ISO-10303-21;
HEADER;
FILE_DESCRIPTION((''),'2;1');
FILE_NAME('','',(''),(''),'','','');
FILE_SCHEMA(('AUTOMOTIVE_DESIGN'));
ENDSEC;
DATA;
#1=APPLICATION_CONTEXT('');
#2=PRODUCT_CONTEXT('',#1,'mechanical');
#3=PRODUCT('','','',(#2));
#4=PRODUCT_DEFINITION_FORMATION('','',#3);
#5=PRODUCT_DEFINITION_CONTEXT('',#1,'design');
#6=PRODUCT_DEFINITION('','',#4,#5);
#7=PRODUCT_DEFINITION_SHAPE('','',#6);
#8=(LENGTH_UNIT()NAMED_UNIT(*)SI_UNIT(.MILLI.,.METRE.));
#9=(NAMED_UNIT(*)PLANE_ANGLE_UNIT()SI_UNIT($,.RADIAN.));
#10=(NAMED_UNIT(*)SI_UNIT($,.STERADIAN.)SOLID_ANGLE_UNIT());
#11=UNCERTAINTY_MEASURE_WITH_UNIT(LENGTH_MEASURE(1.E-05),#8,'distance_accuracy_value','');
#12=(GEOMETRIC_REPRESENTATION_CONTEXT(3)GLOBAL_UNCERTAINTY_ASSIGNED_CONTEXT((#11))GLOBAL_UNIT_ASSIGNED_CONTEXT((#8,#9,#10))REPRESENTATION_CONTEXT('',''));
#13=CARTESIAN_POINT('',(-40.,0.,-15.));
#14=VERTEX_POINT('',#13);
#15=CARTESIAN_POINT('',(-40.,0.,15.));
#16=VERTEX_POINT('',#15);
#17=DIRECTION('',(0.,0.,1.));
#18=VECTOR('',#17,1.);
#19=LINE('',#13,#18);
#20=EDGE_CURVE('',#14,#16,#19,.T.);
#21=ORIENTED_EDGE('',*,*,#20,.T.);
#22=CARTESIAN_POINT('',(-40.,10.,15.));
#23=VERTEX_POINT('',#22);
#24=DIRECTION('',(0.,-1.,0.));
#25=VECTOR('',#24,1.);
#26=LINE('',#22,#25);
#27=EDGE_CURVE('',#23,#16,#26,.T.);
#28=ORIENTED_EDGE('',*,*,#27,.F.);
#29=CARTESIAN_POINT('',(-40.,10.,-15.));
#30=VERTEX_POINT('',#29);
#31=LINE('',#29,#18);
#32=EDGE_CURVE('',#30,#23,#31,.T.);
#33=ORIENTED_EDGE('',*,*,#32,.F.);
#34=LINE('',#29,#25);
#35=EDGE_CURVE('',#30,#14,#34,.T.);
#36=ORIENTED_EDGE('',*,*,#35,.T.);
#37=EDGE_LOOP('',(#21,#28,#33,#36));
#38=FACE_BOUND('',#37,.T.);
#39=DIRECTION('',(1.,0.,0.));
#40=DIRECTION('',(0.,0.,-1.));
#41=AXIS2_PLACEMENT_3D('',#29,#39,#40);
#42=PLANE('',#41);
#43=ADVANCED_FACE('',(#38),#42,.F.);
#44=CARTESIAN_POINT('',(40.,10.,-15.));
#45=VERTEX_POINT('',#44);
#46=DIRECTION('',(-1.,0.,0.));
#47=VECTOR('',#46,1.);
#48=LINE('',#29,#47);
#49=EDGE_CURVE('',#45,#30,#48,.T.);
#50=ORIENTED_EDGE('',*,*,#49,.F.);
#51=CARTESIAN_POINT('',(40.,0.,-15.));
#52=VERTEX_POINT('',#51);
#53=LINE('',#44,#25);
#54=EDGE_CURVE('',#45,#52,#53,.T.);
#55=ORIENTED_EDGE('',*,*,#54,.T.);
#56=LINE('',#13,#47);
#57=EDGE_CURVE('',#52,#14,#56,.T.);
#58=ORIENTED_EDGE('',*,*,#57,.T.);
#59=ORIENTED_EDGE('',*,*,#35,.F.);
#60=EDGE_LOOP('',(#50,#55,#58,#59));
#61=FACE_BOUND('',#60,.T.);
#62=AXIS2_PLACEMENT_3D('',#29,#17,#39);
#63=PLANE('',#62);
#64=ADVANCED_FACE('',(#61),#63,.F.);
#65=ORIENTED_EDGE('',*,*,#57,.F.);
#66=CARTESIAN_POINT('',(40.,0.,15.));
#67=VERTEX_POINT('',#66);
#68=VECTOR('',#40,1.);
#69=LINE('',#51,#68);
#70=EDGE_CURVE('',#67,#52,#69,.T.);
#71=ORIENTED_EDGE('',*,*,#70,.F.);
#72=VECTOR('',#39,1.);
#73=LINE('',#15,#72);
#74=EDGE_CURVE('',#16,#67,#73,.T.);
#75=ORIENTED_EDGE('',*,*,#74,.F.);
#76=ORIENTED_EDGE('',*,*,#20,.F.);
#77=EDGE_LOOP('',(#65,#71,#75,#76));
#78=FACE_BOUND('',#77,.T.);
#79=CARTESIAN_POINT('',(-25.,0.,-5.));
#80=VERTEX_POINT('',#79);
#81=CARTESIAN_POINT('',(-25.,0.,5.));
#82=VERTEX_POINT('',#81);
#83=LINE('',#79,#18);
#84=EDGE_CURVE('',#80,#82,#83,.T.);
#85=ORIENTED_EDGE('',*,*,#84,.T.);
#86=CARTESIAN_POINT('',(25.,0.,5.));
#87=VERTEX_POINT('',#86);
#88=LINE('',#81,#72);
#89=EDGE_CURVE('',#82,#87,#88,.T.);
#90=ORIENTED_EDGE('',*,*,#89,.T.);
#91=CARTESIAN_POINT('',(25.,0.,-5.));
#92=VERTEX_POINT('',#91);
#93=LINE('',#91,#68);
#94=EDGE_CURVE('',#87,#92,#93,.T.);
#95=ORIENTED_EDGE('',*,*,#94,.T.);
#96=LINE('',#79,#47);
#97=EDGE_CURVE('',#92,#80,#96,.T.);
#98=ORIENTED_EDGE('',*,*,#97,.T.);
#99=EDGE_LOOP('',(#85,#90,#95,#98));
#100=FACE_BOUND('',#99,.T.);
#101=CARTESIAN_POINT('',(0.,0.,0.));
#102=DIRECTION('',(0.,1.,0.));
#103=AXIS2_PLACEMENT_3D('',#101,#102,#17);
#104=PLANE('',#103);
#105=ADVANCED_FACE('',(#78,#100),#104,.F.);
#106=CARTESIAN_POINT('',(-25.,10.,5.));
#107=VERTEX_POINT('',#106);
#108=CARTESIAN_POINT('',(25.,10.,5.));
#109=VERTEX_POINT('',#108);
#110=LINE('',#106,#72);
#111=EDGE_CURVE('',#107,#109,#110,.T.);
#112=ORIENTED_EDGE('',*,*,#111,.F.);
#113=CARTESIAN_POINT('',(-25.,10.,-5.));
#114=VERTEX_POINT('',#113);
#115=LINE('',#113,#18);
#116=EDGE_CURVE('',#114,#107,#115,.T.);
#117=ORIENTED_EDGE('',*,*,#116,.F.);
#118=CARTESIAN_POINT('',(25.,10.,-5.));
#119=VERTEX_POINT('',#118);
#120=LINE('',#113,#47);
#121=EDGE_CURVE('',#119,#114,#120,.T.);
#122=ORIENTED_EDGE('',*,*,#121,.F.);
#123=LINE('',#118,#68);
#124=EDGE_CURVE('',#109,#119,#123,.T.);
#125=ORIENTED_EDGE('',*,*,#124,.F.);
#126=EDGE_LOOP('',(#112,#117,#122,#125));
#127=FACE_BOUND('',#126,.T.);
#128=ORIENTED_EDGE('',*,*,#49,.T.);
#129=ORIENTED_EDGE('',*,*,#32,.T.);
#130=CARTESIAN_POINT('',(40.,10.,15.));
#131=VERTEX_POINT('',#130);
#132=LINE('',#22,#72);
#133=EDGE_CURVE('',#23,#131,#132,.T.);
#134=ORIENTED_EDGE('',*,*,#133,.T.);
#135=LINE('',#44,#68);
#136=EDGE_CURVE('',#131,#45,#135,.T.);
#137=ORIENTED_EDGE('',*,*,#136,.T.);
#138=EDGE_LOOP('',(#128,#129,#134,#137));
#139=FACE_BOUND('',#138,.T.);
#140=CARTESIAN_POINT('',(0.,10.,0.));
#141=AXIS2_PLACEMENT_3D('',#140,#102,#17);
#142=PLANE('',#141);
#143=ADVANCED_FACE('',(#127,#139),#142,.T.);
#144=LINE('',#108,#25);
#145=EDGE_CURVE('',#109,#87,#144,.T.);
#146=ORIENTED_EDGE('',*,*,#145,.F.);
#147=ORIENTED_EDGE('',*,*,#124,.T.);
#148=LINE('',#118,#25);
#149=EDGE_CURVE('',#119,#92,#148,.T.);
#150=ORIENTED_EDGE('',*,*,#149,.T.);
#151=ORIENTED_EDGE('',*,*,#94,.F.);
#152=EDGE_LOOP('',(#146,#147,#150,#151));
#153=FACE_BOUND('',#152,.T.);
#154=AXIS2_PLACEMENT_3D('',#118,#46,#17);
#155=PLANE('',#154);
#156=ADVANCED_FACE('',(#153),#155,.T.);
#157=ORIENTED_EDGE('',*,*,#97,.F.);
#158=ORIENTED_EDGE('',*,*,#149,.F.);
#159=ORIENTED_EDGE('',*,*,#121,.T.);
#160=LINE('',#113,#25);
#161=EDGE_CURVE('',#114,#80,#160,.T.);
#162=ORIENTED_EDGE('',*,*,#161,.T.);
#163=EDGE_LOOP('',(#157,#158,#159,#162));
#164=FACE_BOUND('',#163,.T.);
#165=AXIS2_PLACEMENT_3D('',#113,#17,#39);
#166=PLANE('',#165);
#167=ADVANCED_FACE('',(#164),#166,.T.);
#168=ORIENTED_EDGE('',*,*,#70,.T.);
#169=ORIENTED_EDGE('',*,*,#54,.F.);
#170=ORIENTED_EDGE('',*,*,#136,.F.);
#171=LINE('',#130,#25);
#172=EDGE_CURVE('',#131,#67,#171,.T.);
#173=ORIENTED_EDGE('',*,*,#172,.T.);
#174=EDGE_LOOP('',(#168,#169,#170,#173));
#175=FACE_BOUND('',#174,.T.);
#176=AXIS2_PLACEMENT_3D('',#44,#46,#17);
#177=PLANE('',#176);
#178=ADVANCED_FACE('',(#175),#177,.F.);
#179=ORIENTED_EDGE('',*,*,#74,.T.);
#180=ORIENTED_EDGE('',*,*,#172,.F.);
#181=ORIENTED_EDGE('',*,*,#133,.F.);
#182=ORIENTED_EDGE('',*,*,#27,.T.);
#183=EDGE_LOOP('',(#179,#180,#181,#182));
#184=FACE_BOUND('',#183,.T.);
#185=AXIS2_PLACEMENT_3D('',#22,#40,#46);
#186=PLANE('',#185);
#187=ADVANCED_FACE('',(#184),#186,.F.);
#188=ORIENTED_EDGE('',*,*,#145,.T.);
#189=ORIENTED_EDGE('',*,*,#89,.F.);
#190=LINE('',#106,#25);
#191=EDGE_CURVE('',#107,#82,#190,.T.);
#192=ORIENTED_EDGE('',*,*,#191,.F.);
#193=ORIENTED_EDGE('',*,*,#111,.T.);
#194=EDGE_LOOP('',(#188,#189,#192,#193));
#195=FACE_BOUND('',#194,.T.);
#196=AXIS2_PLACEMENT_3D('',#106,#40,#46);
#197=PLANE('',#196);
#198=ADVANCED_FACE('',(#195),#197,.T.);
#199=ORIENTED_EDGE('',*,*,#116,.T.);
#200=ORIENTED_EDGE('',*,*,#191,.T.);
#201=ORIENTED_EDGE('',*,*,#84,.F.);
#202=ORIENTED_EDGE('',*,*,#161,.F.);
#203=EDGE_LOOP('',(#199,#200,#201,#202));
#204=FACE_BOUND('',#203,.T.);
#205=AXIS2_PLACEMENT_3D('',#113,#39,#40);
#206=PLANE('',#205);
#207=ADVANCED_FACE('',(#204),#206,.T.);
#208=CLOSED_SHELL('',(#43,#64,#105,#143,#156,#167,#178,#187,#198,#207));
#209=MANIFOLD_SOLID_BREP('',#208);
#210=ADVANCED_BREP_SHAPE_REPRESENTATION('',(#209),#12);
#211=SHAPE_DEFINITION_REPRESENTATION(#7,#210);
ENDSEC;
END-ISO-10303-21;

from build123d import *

# Parameters (mm, degrees)
SKETCH1_W           = 80
SKETCH1_H           = 30
SKETCH1_W_2         = 50
SKETCH1_H_2         = 10
BOSS_EXTRUDE1_DEPTH = 10


with BuildPart() as part:
    # Sketch1 → Boss-Extrude1 (new body)
    with BuildSketch(Plane(origin=(0, 0, 0), x_dir=(1, 0, 0), z_dir=(0, 1, 0))):
        Rectangle(SKETCH1_W, SKETCH1_H)
        Rectangle(SKETCH1_W_2, SKETCH1_H_2, mode=Mode.SUBTRACT)
    extrude(amount=BOSS_EXTRUDE1_DEPTH)


solid = part.part
